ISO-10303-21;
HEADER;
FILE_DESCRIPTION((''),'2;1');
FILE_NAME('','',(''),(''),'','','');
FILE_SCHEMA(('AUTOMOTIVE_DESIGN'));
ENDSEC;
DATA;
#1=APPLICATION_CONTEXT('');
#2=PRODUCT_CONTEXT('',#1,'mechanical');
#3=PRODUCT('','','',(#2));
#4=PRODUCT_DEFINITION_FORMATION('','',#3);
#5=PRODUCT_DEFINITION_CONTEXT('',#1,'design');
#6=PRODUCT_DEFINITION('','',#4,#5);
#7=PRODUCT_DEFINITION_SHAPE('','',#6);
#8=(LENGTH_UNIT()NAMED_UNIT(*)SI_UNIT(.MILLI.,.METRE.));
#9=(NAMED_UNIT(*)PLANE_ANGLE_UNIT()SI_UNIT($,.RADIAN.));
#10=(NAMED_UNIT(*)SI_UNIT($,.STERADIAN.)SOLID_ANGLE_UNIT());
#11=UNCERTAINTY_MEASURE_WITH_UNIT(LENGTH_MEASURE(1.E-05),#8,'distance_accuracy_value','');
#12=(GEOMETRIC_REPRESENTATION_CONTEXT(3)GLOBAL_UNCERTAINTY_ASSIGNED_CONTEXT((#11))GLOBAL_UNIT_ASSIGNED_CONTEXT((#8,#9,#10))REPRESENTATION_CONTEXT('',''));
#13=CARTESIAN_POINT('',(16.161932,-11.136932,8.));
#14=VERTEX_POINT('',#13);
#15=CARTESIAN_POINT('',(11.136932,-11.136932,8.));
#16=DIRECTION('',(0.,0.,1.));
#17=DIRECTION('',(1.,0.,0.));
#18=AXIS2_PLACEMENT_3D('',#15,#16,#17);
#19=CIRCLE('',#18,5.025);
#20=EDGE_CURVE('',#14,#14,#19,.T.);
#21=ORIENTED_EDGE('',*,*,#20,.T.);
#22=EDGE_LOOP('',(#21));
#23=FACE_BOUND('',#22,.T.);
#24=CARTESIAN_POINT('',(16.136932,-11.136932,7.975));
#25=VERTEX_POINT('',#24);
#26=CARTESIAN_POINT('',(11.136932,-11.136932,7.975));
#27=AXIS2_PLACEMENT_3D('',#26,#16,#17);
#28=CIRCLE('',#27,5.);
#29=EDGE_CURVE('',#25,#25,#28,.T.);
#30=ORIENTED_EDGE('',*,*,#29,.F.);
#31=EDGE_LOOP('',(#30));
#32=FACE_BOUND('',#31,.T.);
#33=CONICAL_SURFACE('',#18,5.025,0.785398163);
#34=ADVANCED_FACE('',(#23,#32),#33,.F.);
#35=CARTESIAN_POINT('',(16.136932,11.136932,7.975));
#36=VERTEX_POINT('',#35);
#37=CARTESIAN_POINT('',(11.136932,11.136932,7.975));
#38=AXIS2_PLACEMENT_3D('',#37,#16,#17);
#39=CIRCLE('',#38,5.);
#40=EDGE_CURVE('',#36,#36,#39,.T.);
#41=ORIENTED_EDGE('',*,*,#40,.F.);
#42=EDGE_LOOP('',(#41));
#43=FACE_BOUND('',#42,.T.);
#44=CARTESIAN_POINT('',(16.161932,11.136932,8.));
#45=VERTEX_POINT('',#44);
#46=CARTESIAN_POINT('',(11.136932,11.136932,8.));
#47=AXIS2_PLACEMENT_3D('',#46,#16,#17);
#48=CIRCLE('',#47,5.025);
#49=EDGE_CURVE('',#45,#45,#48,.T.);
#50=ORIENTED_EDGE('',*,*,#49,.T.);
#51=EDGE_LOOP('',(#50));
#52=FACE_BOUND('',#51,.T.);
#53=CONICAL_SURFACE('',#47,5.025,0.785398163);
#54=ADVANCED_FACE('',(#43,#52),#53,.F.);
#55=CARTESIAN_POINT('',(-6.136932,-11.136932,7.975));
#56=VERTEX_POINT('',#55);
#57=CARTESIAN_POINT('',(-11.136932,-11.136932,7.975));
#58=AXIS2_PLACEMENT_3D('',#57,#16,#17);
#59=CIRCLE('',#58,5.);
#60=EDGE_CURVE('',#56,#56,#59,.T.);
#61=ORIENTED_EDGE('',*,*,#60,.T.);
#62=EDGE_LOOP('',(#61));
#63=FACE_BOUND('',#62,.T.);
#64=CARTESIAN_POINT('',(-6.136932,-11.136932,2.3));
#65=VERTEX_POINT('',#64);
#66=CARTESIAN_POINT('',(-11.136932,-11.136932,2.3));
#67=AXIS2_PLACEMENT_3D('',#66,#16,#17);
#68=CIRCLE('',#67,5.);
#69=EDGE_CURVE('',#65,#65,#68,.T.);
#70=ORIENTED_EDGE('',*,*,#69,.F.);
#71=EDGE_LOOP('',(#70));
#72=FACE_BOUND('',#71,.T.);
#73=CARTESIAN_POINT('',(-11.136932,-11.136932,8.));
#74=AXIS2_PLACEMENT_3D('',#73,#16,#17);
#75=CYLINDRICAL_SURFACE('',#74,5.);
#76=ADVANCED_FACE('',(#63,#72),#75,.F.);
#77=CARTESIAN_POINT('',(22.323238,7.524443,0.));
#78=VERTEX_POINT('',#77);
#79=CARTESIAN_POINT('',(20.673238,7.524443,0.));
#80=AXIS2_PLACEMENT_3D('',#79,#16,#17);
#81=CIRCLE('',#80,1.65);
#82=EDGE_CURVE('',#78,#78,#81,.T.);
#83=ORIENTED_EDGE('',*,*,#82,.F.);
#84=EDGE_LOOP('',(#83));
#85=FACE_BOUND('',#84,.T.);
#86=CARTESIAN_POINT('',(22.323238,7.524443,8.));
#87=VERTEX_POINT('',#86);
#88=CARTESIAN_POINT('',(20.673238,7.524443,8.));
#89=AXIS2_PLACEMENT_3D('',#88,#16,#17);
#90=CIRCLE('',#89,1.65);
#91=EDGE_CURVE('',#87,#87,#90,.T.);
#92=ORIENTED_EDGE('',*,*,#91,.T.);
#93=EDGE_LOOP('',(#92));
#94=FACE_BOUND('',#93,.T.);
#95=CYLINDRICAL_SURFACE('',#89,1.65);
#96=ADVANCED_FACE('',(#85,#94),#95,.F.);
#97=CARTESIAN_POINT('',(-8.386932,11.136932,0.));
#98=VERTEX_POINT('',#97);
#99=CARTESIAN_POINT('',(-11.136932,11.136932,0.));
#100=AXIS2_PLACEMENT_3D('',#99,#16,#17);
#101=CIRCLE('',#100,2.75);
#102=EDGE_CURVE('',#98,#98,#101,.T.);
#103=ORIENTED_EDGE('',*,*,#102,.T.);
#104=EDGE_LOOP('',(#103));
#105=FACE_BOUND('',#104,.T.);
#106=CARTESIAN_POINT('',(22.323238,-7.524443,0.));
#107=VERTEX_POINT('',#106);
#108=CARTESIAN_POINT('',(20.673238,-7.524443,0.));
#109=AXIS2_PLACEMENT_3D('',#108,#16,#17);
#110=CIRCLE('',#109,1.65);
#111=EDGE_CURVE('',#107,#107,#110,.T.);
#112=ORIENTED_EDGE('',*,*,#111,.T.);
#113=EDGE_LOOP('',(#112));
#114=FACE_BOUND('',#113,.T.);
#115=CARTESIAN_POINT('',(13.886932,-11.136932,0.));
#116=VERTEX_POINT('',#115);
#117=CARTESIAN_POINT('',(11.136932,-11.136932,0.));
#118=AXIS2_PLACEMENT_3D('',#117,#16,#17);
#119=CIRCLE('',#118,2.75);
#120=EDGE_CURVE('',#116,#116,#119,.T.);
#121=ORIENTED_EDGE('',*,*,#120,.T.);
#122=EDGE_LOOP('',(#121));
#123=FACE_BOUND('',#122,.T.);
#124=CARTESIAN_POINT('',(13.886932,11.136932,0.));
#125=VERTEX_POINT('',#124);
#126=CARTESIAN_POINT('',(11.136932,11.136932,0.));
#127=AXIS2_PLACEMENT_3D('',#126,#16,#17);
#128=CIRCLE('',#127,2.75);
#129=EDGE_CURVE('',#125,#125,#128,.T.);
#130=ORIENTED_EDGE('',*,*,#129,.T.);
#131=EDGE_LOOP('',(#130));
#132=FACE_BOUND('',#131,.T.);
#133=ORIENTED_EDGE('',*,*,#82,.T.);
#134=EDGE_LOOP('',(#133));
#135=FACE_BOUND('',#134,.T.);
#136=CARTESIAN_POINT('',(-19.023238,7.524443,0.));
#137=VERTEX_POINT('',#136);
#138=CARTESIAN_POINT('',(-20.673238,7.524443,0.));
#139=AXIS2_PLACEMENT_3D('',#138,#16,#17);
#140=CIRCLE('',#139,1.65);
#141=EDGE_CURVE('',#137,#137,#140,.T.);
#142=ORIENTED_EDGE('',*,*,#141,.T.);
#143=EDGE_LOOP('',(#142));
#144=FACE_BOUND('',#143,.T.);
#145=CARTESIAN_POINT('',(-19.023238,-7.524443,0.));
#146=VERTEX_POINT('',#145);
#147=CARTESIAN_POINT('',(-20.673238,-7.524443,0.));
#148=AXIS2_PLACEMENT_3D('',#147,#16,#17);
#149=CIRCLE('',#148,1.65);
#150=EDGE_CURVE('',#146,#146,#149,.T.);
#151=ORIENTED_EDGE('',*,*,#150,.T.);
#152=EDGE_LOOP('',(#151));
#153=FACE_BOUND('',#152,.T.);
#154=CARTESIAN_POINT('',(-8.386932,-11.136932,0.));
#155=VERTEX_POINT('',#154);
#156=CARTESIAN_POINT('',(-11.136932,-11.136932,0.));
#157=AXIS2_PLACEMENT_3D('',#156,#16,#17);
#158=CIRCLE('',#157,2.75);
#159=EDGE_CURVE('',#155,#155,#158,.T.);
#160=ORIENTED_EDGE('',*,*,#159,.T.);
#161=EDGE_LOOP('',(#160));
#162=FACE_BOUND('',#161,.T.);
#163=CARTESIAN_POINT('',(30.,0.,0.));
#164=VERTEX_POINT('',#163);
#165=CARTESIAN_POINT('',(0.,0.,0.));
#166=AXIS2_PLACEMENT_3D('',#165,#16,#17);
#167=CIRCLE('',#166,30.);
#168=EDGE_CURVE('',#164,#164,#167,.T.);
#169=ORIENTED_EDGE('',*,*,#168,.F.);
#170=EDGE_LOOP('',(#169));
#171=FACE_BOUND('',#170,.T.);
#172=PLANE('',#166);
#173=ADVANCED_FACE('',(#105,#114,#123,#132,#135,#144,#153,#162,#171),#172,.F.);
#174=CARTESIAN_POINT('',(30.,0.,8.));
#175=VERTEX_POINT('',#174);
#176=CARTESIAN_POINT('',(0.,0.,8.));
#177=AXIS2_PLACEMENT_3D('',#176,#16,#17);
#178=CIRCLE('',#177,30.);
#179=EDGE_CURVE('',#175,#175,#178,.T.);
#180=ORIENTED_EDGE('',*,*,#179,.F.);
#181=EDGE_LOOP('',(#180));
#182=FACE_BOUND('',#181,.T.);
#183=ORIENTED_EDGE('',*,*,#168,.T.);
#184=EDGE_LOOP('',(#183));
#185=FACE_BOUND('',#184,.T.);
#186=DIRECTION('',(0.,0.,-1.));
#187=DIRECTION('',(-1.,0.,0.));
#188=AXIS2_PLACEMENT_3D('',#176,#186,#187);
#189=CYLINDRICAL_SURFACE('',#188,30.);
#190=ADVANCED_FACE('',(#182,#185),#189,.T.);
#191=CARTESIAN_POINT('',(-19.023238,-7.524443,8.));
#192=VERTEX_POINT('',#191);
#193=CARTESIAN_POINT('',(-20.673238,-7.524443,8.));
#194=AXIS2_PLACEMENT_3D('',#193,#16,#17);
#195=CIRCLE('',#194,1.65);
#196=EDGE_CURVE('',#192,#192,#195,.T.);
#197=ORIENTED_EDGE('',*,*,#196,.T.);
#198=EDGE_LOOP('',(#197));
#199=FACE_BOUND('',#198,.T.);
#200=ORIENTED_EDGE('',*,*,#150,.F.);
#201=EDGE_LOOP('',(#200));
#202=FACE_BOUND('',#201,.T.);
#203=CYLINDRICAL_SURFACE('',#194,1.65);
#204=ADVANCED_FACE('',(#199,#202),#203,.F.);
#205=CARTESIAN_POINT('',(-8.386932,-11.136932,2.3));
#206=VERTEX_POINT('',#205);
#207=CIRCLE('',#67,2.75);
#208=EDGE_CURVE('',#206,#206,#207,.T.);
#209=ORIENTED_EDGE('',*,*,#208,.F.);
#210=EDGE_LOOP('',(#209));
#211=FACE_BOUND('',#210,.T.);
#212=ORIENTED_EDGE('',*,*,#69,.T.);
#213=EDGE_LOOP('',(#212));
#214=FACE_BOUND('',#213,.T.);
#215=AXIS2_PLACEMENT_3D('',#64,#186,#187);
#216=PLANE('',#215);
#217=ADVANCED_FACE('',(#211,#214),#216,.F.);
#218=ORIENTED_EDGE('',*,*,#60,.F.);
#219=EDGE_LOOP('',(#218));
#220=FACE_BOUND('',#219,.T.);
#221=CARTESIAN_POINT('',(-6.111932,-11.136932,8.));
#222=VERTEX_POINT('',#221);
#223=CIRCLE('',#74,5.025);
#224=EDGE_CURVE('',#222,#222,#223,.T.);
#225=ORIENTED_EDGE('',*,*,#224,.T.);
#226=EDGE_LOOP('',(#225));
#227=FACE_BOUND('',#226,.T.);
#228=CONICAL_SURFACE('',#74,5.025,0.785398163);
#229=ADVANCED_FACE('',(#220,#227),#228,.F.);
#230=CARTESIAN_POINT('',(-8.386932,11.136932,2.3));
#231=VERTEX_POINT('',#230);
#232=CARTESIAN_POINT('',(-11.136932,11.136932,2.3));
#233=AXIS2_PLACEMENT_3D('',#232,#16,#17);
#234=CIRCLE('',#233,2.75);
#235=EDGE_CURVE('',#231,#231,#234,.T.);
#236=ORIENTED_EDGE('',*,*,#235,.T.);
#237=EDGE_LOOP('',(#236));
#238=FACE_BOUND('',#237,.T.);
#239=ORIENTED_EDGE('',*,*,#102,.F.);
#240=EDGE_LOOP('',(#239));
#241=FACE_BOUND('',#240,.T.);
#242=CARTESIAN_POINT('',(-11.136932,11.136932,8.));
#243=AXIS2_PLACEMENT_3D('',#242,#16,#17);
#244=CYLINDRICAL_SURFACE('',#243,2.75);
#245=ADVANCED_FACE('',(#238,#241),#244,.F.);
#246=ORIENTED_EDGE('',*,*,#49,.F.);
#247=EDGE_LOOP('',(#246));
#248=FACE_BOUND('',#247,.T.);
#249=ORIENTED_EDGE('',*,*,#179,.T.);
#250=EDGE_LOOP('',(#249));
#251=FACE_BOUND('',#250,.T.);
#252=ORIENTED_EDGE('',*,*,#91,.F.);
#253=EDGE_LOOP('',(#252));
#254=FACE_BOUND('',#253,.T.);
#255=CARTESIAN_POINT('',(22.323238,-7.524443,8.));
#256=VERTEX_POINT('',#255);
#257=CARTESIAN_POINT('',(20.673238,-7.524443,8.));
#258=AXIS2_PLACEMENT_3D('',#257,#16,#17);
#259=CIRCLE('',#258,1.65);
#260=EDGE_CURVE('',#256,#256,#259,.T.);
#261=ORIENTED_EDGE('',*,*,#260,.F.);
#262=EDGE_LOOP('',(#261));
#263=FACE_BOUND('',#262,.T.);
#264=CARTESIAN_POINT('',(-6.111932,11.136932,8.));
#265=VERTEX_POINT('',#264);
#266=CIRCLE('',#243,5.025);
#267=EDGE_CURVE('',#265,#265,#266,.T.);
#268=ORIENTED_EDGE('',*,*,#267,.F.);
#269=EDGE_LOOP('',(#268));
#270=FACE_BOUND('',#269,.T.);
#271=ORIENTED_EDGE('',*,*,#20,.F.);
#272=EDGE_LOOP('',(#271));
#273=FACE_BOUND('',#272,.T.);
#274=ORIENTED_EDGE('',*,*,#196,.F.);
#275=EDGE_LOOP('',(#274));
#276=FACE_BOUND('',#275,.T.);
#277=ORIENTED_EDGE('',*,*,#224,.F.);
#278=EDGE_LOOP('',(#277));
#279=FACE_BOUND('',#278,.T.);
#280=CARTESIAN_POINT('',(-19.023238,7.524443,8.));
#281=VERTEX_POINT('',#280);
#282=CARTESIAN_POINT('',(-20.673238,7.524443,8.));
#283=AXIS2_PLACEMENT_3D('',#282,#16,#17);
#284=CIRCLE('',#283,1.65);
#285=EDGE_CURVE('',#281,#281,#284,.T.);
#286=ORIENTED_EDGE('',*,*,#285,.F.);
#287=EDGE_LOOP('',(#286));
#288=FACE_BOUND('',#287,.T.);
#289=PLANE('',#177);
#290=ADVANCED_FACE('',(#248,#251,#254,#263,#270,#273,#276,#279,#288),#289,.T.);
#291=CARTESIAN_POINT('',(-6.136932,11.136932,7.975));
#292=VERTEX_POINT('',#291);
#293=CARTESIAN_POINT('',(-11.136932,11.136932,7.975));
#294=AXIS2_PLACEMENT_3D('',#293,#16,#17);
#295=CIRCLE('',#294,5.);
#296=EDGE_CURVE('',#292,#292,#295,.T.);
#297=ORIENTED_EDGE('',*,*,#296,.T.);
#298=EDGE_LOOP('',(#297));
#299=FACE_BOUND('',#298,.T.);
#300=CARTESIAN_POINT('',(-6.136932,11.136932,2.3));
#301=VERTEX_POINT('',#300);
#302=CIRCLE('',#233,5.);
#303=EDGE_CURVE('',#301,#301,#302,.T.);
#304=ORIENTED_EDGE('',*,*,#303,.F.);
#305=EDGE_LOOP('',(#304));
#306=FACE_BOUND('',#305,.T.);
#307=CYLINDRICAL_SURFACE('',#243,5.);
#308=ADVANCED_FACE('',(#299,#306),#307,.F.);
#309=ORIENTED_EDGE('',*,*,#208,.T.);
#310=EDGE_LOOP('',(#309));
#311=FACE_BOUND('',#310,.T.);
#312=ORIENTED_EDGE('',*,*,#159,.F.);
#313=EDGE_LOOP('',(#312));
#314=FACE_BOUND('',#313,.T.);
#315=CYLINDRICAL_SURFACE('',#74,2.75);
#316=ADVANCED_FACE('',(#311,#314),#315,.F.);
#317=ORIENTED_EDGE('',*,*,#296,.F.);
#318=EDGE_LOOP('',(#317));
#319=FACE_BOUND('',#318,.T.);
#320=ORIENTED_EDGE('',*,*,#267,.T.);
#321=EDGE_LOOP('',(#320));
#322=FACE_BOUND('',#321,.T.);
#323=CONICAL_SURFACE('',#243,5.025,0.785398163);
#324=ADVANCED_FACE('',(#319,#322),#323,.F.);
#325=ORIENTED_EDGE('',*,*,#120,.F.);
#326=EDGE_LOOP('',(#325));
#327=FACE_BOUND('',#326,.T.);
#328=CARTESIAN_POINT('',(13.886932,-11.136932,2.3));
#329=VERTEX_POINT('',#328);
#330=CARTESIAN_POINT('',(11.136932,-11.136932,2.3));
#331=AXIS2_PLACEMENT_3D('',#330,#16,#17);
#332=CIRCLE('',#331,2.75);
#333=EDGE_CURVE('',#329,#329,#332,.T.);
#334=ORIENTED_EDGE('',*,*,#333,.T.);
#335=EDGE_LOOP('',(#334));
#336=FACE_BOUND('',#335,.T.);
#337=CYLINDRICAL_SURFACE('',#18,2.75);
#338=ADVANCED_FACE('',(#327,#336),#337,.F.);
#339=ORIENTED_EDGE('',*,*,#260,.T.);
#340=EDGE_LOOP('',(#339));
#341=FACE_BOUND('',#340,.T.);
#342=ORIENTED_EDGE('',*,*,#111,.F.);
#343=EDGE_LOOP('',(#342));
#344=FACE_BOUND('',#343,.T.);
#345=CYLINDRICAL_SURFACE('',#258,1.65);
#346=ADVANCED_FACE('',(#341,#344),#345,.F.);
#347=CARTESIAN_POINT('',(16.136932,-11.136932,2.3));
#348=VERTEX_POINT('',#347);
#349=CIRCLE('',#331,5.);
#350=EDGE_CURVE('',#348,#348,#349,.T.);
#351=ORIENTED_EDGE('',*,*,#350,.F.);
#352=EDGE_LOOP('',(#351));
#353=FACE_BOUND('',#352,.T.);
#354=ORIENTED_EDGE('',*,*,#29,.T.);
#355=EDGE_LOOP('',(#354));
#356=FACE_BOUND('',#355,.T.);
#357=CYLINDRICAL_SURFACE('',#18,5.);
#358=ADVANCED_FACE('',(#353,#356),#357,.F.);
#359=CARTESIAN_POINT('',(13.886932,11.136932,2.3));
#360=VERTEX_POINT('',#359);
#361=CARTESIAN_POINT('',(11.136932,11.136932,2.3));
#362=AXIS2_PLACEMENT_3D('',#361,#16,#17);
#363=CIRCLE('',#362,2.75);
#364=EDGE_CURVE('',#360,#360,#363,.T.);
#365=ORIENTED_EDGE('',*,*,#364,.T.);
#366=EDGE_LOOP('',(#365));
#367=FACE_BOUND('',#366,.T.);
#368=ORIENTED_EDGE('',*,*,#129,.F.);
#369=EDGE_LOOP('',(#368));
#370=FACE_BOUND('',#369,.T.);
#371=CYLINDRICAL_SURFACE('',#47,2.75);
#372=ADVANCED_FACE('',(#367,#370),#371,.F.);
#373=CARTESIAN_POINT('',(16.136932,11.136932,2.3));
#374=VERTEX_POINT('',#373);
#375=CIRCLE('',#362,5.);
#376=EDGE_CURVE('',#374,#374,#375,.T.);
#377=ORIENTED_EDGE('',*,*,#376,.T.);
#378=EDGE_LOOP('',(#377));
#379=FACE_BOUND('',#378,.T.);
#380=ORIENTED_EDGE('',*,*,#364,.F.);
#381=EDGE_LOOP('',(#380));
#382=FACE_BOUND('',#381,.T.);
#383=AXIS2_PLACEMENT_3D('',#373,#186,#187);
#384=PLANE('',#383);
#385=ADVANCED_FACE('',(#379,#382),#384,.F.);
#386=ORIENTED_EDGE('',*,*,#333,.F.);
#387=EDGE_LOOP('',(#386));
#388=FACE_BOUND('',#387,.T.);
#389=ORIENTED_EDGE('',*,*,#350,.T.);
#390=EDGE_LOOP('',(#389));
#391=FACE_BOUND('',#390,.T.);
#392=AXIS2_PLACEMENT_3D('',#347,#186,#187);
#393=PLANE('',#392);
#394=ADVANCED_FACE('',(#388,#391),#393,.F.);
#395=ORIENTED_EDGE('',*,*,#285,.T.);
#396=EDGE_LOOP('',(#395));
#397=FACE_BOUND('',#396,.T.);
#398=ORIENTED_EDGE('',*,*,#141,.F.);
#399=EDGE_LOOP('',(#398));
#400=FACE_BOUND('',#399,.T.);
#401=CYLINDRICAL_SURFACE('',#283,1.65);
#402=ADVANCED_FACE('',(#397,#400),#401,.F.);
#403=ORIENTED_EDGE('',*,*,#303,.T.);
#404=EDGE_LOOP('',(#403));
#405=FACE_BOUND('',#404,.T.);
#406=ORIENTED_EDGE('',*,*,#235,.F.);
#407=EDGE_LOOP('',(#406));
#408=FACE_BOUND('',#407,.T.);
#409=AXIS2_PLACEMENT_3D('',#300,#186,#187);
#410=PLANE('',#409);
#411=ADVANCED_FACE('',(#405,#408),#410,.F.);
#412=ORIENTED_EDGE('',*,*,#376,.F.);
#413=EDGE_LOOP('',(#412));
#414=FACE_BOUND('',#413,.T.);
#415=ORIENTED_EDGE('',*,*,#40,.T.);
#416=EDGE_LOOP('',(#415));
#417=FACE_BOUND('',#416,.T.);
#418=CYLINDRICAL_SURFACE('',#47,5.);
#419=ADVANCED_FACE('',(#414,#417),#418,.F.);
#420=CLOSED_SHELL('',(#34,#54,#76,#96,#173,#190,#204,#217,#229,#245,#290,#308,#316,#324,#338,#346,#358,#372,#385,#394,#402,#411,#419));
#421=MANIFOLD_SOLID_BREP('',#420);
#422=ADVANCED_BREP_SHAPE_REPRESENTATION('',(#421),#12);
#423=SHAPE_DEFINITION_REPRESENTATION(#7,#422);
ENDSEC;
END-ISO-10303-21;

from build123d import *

# Parameters (mm, degrees)
SKETCH_1_R               = 30
EXTRUDE_1_DEPTH          = 8
PATTERN_CIRCULAR_1_COUNT = 4
HOLE_WIZARD_M4_1_D       = 3.3


with BuildPart() as part:
    # 草图1 → 凸台-拉伸1 (new body)
    with BuildSketch(Plane.XY):
        Circle(SKETCH_1_R)
    extrude(amount=EXTRUDE_1_DEPTH)

    # 草图7 → 打孔尺寸(%根据)内六角圆柱头螺钉的类型1 (revolve, cut)
    with BuildSketch(Plane(origin=(11.136931804, -11.136931804, 8), x_dir=(0, -1, 0), z_dir=(1, 0, 0))):
        Polygon((0, 0), (0, 8), (2.75, 8), (2.75, 5.7), (5, 5.7), (5, 0.025), (5.025, 0), align=None)
    hole_wizard_1 = revolve(axis=Axis((11.136931804, -11.136931804, 14.35), (0, 0, -1)), mode=Mode.SUBTRACT)

    # 阵列(圆周)1: 打孔尺寸(%根据)内六角圆柱头螺钉的类型1 ×4 about axis
    pattern_circular_1_axis = Axis((0, 0, 0), (0, 0, 1))
    for i in range(1, PATTERN_CIRCULAR_1_COUNT):
        add(hole_wizard_1.rotate(pattern_circular_1_axis, i * 360 / PATTERN_CIRCULAR_1_COUNT), mode=Mode.SUBTRACT)

    # M4 螺纹孔1 (through all)
    with Locations(Plane.XY.offset(8)):
        with Locations((20.673237657, 7.524443153), (20.673237657, -7.524443153), (-20.673237657, 7.524443153), (-20.673237657, -7.524443153)):
            Hole(HOLE_WIZARD_M4_1_D / 2)


solid = part.part
